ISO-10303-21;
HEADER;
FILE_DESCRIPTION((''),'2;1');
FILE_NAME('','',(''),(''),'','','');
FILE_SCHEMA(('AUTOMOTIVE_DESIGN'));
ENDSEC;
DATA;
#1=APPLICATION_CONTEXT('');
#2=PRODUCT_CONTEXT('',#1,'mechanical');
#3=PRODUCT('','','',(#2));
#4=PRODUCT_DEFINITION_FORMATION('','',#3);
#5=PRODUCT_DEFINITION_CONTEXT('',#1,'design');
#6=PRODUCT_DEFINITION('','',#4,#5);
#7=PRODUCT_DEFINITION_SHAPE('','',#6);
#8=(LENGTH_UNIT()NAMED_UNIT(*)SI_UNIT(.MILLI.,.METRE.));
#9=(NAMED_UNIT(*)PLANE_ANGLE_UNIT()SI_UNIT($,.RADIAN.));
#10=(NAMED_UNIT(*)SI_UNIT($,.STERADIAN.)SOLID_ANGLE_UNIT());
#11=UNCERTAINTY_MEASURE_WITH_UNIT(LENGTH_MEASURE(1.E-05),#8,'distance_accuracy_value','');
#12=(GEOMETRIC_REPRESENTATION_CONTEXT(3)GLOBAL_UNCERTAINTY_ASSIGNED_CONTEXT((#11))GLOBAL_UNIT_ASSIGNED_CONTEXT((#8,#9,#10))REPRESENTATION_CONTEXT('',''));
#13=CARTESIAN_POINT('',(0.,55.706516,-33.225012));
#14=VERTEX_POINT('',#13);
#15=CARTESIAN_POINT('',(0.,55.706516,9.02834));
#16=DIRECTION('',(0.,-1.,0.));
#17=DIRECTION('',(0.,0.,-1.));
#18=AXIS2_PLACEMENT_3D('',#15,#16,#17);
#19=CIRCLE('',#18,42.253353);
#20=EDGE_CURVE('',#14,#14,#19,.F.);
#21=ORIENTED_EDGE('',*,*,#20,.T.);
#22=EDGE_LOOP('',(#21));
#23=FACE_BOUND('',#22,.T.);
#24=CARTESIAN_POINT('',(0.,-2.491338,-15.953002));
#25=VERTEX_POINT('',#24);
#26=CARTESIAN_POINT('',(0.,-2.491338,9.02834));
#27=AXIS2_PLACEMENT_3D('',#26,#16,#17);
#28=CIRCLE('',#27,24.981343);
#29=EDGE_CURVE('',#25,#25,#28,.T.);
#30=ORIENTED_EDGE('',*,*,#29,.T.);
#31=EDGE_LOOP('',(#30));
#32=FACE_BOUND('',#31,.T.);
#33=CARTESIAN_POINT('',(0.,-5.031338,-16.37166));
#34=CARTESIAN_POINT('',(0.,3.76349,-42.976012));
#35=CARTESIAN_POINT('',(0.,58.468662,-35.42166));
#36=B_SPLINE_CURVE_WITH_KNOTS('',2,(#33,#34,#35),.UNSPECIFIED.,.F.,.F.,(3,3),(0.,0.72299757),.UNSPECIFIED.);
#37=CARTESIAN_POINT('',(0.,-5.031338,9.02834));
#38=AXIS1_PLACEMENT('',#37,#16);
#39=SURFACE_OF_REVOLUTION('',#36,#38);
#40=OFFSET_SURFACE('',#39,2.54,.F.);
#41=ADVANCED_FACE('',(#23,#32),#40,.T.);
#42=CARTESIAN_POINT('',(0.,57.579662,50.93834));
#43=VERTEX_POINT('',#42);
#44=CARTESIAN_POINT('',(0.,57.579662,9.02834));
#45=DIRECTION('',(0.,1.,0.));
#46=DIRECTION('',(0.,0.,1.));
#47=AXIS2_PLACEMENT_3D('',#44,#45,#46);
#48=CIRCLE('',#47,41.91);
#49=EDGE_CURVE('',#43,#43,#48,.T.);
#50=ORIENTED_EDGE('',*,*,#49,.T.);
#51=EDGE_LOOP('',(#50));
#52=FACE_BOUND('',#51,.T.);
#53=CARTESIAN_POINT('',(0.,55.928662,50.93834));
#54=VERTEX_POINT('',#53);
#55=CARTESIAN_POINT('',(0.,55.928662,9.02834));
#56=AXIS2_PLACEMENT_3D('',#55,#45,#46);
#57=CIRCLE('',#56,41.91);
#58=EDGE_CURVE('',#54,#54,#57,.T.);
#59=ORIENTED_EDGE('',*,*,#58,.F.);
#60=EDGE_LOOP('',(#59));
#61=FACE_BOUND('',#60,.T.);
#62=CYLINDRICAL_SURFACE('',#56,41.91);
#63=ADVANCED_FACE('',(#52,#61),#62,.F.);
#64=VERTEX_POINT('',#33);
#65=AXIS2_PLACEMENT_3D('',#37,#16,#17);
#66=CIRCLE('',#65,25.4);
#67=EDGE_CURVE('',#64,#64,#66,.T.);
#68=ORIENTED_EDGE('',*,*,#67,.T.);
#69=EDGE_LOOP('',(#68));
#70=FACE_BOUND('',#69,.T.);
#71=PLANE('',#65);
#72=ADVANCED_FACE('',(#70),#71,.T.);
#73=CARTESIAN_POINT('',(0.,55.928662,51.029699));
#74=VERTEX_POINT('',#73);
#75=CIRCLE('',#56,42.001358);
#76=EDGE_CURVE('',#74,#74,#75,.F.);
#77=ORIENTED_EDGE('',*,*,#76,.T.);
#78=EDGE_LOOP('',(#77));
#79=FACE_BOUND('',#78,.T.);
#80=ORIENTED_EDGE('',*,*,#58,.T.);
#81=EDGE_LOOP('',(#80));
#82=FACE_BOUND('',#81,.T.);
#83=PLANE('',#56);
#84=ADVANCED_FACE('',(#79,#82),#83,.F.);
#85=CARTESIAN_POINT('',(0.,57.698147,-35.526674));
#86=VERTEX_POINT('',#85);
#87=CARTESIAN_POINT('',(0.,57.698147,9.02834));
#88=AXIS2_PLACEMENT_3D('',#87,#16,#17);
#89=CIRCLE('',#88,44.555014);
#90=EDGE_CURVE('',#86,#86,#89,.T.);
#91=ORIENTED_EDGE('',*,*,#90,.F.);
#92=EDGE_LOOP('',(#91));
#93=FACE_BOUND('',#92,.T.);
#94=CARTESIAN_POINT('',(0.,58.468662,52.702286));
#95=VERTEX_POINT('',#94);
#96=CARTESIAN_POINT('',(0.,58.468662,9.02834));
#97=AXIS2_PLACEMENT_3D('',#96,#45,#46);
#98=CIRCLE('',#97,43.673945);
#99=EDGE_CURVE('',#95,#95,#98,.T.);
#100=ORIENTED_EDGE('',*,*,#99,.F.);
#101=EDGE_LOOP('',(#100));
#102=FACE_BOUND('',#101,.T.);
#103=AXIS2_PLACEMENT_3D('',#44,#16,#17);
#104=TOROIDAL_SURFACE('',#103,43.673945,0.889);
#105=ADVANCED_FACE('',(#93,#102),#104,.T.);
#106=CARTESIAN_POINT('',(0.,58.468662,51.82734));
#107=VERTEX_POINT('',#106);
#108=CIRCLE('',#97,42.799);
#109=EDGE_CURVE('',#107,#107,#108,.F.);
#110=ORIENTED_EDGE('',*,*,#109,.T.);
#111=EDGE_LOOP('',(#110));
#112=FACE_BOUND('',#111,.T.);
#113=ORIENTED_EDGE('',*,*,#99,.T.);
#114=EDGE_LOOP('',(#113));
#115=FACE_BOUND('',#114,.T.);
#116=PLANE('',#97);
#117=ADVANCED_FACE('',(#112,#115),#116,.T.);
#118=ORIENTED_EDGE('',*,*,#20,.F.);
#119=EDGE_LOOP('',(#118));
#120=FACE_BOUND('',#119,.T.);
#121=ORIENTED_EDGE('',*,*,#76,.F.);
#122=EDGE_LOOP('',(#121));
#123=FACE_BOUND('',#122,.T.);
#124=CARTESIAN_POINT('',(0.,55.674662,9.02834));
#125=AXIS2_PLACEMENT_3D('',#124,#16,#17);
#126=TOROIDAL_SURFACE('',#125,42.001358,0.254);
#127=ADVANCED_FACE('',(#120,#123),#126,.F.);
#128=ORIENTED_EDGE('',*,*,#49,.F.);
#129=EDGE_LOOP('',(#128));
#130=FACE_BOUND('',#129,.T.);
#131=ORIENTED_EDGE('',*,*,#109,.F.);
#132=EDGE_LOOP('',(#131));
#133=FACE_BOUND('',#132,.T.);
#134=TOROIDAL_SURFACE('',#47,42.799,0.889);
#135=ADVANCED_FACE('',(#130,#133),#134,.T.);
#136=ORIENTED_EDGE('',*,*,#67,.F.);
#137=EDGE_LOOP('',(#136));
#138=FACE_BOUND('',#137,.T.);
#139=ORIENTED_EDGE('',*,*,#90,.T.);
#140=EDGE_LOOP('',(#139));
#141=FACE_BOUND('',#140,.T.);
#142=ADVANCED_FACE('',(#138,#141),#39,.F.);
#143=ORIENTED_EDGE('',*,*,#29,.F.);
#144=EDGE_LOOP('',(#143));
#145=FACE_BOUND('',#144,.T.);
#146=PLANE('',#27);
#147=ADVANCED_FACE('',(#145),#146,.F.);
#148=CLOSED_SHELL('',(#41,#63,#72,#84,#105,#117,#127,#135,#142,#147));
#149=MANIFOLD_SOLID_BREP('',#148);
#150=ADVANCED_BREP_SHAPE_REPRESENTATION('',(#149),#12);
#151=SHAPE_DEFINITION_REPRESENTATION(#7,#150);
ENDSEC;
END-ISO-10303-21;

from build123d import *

# Parameters (mm, degrees)
SHELL2_T           = 2.54
SKETCH4_R          = 41.91
CUT_EXTRUDE3_DEPTH = 2.54
FILLET9_R          = 0.889
FILLET10_R         = 0.254


with BuildPart() as part:
    # Sketch2 → Revolve1 (revolve)
    with BuildSketch(Plane(origin=(0, 0, 0), x_dir=(0, 0, -1), z_dir=(1, 0, 0))):
        with BuildLine():
            Line((-9.028340483, -5.031337592), (16.371659517, -5.031337592))
            add(Edge.make_bspline(
                [(35.421659517, 58.468662408), (42.976011701, 3.763489576), (16.371659517, -5.031337592)],
                knots=[0, 0, 0, 0.72299757, 0.72299757, 0.72299757], degree=2))
            Line((35.421659517, 58.468662408), (-9.028340483, 58.468662408))
            Line((-9.028340483, 58.468662408), (-9.028340483, -5.031337592))
        make_face()
    revolve(axis=Axis((0, -5.031337592, 9.028340483), (0, 1, 0)))

    # Shell2 (no face opened: a closed hollow body)
    add(offset(amount=-SHELL2_T, mode=Mode.PRIVATE), mode=Mode.SUBTRACT)

    # Sketch4 → Cut-Extrude3 (cut)
    with BuildSketch(Plane(origin=(0, 58.468662408, 0), x_dir=(1, 0, 0), z_dir=(0, 1, 0))):
        with Locations(Location((0, -9.028340483, 0), (0, 0, 270))):
            Circle(SKETCH4_R)
    extrude(amount=-CUT_EXTRUDE3_DEPTH, mode=Mode.SUBTRACT)

    # Fillet9
    fillet9_edges = [part.edges().sort_by_distance(p)[0] for p in [
        (0, 58.468662408, -32.881659517),
        (0, 58.468662408, 53.478340483),
    ]]
    fillet(fillet9_edges, radius=FILLET9_R)

    # Fillet10
    fillet10_edges = [part.edges().sort_by_distance(p)[0] for p in [
        (0, 55.928662408, 51.253490208),
    ]]
    fillet(fillet10_edges, radius=FILLET10_R)


solid = part.part
